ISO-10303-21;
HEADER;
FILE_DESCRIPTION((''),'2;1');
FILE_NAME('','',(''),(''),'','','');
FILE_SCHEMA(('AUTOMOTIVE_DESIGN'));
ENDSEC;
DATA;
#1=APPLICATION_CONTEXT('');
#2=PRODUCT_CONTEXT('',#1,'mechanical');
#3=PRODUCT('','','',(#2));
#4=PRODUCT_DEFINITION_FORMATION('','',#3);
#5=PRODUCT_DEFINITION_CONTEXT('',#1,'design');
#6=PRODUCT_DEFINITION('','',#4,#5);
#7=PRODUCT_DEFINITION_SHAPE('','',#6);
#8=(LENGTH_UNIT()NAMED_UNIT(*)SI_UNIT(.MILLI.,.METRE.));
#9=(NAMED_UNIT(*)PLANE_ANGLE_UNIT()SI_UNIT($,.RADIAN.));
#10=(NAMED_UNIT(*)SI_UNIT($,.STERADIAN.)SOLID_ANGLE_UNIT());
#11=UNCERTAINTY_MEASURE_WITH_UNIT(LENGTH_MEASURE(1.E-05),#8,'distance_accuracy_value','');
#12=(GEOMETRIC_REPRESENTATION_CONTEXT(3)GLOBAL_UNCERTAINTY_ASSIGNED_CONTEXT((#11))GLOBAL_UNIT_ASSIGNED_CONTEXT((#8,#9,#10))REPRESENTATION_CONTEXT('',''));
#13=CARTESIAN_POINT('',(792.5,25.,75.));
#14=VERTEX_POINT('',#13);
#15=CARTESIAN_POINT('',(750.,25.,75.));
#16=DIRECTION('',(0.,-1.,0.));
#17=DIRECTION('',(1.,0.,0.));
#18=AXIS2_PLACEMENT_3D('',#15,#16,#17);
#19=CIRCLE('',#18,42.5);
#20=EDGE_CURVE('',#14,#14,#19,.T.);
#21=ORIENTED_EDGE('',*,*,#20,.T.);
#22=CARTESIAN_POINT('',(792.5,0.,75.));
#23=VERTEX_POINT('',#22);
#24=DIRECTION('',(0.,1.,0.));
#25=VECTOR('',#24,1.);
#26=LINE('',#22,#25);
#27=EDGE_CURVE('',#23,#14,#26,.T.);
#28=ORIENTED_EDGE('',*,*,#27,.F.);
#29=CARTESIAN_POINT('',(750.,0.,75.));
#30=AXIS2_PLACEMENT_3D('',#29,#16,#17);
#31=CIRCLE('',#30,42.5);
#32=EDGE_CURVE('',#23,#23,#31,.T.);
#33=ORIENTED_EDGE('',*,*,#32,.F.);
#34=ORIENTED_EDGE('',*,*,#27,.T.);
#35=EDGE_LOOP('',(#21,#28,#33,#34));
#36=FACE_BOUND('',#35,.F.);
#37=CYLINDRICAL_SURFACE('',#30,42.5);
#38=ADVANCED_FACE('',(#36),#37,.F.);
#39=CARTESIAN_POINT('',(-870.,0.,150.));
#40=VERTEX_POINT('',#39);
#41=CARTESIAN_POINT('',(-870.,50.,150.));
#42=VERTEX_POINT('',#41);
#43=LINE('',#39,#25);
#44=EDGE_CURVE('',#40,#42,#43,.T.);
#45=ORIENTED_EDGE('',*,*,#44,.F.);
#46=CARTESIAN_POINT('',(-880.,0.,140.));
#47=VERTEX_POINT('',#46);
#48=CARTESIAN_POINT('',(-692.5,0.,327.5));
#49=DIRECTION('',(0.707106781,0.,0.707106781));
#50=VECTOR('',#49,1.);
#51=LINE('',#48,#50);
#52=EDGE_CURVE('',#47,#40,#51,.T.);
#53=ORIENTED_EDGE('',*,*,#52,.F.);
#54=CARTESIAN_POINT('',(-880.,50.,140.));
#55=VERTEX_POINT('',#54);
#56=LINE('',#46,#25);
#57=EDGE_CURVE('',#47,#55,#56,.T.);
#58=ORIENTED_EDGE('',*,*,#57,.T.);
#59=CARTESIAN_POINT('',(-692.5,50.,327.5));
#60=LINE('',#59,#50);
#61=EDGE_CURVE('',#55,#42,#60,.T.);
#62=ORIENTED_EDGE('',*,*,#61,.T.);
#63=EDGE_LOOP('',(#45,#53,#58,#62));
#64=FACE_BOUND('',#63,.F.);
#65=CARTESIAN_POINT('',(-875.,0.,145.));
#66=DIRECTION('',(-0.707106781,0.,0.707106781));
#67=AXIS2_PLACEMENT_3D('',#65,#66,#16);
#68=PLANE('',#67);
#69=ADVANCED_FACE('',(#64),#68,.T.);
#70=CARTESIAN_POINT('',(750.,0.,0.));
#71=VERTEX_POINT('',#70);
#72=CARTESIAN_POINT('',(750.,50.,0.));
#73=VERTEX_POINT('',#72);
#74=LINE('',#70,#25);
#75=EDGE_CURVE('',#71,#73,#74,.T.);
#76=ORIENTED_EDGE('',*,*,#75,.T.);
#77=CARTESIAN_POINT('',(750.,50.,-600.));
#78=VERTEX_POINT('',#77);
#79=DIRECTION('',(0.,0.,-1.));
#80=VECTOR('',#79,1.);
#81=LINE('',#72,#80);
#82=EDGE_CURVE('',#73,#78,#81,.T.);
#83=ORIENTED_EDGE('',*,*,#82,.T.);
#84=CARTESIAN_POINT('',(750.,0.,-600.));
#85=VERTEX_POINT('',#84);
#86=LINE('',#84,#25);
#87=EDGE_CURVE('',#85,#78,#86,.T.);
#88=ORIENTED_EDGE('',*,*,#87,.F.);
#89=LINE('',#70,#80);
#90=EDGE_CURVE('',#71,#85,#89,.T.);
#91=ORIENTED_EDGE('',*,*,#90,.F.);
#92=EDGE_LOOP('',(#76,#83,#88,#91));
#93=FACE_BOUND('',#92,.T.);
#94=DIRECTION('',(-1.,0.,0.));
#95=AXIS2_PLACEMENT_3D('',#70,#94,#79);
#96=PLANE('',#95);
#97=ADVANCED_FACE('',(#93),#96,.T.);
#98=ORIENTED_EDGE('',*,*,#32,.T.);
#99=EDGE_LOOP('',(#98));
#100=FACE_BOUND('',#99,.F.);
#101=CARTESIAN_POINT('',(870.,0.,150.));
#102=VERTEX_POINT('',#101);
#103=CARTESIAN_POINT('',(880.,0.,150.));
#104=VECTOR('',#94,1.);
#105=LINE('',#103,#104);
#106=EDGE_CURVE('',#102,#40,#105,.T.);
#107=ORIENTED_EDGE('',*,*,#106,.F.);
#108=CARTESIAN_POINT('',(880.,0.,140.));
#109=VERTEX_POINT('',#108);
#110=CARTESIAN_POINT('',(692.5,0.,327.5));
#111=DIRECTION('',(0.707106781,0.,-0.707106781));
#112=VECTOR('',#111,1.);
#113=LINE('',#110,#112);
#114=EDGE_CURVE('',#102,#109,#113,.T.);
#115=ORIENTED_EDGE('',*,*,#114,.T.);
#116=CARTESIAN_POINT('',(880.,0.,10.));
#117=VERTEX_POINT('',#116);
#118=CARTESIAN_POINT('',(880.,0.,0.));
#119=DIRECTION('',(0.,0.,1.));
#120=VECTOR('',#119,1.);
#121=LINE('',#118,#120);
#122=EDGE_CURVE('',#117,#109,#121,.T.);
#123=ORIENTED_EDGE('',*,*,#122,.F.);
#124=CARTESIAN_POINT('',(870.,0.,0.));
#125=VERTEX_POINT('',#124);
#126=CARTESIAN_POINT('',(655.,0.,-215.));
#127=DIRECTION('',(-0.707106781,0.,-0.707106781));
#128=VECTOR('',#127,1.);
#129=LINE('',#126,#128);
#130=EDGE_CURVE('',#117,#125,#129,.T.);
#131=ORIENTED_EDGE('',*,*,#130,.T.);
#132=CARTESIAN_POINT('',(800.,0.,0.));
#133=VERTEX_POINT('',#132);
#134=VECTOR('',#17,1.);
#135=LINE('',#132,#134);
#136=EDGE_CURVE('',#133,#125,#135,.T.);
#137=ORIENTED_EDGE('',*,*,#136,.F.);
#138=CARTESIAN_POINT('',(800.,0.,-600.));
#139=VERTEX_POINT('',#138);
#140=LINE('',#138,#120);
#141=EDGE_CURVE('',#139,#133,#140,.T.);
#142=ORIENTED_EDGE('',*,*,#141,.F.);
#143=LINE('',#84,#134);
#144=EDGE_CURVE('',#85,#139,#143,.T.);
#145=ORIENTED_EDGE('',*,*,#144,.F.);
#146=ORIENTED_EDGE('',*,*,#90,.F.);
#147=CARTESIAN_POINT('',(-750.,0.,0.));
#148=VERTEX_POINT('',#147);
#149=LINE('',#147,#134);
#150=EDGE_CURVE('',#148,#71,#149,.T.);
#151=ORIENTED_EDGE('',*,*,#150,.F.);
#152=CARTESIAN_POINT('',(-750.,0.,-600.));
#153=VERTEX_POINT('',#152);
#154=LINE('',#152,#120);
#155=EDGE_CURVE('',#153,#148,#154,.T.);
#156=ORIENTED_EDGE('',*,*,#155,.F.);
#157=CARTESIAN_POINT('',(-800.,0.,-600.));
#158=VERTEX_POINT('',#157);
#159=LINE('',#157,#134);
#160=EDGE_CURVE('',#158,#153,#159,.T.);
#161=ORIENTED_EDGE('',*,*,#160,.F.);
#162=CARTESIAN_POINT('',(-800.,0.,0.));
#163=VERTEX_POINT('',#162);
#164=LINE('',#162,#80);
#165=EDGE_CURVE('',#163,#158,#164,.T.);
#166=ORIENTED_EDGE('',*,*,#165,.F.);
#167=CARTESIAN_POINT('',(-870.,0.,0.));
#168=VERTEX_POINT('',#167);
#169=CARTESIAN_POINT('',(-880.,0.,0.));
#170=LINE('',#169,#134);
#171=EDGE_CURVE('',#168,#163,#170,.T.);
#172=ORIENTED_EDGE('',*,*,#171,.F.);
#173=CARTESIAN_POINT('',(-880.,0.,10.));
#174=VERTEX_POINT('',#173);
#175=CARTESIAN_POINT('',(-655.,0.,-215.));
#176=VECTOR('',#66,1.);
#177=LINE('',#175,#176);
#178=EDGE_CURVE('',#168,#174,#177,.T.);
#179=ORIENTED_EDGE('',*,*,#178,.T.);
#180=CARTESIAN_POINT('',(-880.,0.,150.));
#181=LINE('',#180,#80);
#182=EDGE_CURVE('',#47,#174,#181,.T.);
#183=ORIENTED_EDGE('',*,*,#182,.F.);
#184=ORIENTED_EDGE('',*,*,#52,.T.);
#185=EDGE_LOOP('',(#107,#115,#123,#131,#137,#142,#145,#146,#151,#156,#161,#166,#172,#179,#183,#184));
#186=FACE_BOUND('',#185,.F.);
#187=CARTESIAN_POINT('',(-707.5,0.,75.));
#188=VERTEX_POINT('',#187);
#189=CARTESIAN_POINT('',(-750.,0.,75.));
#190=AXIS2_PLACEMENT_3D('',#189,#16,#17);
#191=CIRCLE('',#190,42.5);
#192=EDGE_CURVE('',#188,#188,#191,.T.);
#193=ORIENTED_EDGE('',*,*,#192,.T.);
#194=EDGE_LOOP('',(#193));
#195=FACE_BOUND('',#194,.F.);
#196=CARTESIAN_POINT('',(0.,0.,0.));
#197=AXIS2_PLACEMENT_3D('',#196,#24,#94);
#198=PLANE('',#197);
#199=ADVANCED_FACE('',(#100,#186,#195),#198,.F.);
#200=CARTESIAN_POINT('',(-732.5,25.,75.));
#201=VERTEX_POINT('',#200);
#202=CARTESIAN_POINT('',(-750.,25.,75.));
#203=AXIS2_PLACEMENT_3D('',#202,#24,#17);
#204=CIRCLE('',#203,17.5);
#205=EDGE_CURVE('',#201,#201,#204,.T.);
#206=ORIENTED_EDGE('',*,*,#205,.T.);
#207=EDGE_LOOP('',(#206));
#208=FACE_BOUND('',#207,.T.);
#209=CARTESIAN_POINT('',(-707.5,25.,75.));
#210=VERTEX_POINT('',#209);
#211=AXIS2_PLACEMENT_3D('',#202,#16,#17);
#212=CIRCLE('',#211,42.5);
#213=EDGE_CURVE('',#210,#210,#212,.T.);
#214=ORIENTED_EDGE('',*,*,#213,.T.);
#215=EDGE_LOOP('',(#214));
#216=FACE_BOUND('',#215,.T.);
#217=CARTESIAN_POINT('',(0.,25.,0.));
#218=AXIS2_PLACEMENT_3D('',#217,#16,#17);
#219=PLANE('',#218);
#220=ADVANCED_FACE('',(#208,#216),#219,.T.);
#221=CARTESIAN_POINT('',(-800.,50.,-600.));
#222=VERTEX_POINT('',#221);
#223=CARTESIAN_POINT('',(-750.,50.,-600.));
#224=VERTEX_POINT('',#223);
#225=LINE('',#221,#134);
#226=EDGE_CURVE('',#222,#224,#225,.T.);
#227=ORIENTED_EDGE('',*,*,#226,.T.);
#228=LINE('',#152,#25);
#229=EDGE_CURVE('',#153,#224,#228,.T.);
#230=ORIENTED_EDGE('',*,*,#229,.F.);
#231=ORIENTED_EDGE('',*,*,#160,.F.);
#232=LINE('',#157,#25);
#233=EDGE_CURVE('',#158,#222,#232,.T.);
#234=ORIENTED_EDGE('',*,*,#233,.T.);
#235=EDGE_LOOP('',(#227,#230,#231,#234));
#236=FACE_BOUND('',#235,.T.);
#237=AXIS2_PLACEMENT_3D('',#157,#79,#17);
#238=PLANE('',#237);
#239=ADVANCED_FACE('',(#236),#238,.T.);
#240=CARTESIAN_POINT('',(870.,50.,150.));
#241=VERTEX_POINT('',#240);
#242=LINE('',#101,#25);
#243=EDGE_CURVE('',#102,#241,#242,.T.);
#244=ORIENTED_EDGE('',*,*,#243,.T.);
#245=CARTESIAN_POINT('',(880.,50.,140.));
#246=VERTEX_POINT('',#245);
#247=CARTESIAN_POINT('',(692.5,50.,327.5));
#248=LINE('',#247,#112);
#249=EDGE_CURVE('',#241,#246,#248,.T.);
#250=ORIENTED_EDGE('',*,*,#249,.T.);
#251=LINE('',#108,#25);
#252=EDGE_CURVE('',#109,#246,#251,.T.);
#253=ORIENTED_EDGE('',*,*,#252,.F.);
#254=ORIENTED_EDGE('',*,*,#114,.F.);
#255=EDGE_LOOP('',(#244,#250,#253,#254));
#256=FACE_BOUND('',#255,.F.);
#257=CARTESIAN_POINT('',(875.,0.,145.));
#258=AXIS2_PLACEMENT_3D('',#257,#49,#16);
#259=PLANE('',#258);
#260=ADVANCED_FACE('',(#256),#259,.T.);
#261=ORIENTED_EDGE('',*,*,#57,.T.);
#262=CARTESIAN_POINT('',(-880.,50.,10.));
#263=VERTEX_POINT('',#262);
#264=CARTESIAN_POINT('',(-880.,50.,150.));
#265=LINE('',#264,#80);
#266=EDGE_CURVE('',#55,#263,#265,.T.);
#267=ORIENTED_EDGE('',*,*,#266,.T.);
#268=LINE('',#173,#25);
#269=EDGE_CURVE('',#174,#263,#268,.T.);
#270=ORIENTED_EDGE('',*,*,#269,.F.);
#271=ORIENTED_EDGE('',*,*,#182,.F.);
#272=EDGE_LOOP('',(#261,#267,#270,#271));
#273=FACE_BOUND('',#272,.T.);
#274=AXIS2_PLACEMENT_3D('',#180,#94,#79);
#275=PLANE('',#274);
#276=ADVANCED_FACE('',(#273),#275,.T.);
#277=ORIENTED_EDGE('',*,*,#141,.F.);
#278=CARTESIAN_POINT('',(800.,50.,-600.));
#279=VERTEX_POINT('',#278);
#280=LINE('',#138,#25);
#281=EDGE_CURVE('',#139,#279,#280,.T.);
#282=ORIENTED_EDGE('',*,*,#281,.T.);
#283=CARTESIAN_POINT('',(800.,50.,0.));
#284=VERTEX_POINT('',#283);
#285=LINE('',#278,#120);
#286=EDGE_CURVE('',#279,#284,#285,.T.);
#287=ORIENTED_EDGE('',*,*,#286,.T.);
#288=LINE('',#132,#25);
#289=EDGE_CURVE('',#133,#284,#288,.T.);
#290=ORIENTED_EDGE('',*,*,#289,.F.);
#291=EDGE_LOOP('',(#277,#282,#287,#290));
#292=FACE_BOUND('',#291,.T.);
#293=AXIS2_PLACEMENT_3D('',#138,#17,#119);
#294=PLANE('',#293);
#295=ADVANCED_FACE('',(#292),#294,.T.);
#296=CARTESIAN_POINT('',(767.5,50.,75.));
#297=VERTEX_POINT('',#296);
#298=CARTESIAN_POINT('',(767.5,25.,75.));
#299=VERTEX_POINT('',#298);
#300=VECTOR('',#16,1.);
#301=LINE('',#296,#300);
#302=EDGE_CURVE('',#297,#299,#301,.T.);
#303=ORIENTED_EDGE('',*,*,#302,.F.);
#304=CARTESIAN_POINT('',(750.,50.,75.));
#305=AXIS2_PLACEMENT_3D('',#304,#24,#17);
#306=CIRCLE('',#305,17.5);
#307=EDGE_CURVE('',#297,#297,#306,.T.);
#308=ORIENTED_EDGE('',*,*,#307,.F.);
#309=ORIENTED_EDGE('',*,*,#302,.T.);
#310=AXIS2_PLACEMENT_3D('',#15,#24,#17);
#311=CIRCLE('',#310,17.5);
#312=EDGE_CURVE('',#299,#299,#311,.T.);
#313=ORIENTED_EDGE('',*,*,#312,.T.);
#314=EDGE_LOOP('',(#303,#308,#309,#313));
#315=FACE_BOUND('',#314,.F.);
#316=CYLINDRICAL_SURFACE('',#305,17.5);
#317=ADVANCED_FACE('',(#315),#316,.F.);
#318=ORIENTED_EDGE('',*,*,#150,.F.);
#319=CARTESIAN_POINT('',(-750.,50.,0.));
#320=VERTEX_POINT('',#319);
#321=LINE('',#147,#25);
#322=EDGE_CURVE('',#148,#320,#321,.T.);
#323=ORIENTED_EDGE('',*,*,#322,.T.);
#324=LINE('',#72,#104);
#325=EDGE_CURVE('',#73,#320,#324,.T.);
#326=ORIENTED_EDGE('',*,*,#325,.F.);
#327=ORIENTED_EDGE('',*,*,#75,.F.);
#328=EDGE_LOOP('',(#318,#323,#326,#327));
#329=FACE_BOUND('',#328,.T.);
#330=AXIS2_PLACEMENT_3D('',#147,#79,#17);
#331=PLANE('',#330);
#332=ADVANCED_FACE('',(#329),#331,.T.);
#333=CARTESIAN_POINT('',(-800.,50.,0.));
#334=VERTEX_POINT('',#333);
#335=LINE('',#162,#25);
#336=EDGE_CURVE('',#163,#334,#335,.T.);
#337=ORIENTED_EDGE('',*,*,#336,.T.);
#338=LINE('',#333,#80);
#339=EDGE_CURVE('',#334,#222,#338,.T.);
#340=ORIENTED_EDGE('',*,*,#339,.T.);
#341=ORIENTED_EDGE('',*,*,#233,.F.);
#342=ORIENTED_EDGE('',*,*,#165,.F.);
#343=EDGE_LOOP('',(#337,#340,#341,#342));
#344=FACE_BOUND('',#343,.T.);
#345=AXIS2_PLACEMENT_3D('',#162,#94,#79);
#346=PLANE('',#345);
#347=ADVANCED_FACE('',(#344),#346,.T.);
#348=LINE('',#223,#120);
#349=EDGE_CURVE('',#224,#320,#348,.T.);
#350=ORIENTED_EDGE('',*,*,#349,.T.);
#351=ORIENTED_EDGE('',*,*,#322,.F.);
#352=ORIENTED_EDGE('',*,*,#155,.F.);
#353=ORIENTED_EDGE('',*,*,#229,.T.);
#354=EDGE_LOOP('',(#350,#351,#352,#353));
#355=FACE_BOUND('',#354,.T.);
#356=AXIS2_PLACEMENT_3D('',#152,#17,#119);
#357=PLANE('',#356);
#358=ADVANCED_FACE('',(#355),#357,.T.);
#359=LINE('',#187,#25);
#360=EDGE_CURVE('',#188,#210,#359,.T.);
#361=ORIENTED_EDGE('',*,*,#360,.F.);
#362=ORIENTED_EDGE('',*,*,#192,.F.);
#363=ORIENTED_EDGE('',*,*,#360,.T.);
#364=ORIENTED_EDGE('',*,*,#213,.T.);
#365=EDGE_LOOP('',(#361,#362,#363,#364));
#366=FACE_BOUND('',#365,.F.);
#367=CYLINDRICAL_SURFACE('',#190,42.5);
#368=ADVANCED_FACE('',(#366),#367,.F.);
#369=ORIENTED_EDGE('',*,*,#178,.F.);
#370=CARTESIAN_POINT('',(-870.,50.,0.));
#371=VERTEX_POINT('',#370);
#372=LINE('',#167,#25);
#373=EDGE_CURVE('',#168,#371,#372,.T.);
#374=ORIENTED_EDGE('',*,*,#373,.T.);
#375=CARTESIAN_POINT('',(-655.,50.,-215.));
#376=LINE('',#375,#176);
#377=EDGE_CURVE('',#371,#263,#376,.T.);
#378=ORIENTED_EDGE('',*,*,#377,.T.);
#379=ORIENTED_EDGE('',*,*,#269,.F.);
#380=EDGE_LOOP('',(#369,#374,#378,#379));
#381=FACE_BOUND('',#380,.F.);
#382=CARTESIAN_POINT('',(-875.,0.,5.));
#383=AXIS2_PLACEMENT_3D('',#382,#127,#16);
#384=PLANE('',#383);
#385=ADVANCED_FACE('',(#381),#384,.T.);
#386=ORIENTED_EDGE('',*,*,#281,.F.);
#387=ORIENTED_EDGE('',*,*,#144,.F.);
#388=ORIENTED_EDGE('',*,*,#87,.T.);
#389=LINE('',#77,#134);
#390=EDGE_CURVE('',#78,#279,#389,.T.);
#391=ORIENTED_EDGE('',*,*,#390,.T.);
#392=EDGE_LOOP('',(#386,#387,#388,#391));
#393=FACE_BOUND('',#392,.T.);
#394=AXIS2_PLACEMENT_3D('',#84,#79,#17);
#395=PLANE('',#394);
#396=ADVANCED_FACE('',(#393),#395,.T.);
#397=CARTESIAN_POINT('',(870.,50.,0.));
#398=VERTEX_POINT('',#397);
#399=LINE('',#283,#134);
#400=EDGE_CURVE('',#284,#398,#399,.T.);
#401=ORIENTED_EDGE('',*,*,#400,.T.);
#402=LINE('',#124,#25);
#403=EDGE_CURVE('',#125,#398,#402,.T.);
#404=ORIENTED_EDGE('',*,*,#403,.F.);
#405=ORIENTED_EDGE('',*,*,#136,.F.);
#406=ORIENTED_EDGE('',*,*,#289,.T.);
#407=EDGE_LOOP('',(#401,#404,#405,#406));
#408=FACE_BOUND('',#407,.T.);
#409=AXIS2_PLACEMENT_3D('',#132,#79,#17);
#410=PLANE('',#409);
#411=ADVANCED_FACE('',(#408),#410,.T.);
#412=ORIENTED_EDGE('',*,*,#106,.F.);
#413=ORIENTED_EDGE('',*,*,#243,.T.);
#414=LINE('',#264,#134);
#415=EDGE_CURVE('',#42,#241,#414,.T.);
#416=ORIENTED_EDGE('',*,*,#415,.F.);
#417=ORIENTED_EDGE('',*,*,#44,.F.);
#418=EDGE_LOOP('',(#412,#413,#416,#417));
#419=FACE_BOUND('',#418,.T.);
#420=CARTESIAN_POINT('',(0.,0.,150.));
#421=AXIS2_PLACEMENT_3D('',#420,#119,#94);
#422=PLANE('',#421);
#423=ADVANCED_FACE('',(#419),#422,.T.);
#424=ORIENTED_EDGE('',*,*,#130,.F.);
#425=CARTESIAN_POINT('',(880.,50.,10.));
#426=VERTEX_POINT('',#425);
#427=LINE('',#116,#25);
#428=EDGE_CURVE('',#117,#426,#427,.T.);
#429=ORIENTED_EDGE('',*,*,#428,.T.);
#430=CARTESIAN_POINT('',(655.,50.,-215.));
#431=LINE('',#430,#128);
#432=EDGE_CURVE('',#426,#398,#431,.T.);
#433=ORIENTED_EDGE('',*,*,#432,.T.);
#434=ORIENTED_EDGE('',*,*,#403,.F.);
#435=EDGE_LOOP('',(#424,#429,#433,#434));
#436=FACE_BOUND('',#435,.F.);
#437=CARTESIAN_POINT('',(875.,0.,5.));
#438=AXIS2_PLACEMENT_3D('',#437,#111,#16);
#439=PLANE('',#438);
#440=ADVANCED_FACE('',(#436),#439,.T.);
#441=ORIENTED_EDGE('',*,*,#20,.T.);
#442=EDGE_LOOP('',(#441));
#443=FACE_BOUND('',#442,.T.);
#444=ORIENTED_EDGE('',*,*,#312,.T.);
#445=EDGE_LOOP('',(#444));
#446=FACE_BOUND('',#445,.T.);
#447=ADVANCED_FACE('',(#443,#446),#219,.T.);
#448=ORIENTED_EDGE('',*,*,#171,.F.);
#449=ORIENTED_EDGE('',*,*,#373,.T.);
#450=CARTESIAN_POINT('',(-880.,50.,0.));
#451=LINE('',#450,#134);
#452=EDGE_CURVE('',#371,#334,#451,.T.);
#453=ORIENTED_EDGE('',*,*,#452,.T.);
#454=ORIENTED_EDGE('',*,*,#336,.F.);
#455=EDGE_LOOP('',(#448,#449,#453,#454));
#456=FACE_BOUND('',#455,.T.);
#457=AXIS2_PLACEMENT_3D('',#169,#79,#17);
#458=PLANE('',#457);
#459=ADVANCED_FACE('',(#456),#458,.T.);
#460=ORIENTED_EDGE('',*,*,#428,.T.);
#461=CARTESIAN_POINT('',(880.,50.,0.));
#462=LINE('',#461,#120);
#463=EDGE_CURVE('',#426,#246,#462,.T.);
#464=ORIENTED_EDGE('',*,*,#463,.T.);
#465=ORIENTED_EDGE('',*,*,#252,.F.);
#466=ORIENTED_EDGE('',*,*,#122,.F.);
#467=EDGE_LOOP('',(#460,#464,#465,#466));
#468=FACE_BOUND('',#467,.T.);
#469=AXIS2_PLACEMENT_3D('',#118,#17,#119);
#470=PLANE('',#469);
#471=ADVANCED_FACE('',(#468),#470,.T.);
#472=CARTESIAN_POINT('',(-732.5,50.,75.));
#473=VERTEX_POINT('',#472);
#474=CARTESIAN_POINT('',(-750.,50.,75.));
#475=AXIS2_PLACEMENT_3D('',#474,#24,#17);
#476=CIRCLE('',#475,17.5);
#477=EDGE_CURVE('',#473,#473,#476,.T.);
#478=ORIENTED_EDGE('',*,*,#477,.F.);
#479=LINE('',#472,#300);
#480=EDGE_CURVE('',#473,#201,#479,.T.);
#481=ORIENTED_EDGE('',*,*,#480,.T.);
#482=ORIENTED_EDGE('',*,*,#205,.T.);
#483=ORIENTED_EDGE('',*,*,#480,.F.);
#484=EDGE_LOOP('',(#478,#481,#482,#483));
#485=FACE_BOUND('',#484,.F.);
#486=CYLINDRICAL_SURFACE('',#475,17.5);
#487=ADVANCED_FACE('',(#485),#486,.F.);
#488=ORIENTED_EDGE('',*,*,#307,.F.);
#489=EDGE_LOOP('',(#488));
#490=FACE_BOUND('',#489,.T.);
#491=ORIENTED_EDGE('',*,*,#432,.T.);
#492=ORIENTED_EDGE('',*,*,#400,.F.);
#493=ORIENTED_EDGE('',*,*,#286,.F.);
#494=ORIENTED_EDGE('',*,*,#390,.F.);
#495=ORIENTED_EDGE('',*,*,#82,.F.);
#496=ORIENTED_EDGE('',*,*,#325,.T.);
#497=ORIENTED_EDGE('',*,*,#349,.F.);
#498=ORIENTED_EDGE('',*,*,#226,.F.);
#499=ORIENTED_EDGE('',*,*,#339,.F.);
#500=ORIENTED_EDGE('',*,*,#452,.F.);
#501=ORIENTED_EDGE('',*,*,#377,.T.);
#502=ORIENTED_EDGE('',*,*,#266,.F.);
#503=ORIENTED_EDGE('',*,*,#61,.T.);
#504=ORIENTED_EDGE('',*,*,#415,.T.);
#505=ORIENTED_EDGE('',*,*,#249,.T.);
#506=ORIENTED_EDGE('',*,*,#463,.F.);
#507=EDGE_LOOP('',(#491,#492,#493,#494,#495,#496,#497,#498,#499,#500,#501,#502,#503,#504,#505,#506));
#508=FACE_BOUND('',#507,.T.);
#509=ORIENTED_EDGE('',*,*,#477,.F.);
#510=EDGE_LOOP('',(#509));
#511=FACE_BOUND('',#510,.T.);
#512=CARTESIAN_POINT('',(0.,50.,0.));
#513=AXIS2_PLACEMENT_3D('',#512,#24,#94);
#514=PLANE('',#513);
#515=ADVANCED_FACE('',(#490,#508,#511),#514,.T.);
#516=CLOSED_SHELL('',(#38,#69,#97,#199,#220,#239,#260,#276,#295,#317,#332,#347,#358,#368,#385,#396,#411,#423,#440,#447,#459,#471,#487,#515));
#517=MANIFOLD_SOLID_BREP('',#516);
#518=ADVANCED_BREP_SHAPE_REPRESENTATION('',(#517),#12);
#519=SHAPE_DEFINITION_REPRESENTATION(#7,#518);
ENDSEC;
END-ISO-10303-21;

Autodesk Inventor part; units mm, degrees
ref_plane "YZ Plane" through (0, 0, 0) normal (1, 0, 0) x (0, 1, 0)
ref_plane "XZ Plane" through (0, 0, 0) normal (0, 1, 0) x (-1, 0, 0)
ref_plane "XY Plane" through (0, 0, 0) normal (0, 0, 1) x (1, 0, 0)
sketch "Skizze1" plane through (0, 0, 0) normal (0, 1, 0) x (-1, 0, 0)
  line L0 (800, 0) -> (800, -600)
  line L1 (800, -600) -> (750, -600)
  line L2 (750, -600) -> (750, 0)
  line L3 (750, 0) -> (-750, 0)
  line L4 (-750, 0) -> (-750, -600)
  line L5 (-750, -600) -> (-800, -600)
  line L6 (-800, -600) -> (-800, 0)
  line L7 (-800, 0) -> (-880, 0)
  line L8 (-880, 0) -> (-880, 150)
  line L9 (-880, 150) -> (880, 150)
  line L10 (880, 150) -> (880, 0)
  line L11 (880, 0) -> (800, 0)
  line L12 (0, -750) -> (0, 300) projected
  point P0 (0, 0)
  dimension "d0" = 50
  dimension "d1" = 600
  dimension "d2" = 150
  dimension "d3" = 1500
  dimension "d4" = 80
extrude "Extrusion1" add sketch "Skizze1" along normal blind 50
sketch "Skizze2" plane through (0, 0, 0) normal (0, -1, 0) x (1, 0, 0)
  circle A0 centre (-750, 75) radius 42.5
  circle A1 centre (750, 75) radius 42.5
  line L0 (0, -750) -> (0, 300) projected
  line L1 (750, 0) -> (-750, 0) projected
  point P0 (0, 0)
  dimension "d7" = 85
  dimension "d8" = 85
  dimension "d9" = 1500
  dimension "d10" = 75
extrude "Extrusion2" cut sketch "Skizze2" against normal blind 25
sketch "Skizze3" plane through (0, 50, 0) normal (0, 1, 0) x (1, 0, 0)
  circle A0 centre (750, -75) radius 42.5 projected
  circle A1 centre (-750, -75) radius 42.5 projected
  circle A2 centre (750, -75) radius 17.5
  circle A3 centre (-750, -75) radius 17.5
  point P0 (0, 0)
  dimension "d13" = 35
  dimension "d14" = 35
extrude "Extrusion3" cut sketch "Skizze3" against normal through all contours A2 | A3
chamfer "Fase1" distance 10 angle 45 4 edges at (-880, 25, 150) (880, 25, 150) (880, 25, 0) (-880, 25, 0)
equation "\"d8\" = d7"
properties part number "Gestell_Seite"
